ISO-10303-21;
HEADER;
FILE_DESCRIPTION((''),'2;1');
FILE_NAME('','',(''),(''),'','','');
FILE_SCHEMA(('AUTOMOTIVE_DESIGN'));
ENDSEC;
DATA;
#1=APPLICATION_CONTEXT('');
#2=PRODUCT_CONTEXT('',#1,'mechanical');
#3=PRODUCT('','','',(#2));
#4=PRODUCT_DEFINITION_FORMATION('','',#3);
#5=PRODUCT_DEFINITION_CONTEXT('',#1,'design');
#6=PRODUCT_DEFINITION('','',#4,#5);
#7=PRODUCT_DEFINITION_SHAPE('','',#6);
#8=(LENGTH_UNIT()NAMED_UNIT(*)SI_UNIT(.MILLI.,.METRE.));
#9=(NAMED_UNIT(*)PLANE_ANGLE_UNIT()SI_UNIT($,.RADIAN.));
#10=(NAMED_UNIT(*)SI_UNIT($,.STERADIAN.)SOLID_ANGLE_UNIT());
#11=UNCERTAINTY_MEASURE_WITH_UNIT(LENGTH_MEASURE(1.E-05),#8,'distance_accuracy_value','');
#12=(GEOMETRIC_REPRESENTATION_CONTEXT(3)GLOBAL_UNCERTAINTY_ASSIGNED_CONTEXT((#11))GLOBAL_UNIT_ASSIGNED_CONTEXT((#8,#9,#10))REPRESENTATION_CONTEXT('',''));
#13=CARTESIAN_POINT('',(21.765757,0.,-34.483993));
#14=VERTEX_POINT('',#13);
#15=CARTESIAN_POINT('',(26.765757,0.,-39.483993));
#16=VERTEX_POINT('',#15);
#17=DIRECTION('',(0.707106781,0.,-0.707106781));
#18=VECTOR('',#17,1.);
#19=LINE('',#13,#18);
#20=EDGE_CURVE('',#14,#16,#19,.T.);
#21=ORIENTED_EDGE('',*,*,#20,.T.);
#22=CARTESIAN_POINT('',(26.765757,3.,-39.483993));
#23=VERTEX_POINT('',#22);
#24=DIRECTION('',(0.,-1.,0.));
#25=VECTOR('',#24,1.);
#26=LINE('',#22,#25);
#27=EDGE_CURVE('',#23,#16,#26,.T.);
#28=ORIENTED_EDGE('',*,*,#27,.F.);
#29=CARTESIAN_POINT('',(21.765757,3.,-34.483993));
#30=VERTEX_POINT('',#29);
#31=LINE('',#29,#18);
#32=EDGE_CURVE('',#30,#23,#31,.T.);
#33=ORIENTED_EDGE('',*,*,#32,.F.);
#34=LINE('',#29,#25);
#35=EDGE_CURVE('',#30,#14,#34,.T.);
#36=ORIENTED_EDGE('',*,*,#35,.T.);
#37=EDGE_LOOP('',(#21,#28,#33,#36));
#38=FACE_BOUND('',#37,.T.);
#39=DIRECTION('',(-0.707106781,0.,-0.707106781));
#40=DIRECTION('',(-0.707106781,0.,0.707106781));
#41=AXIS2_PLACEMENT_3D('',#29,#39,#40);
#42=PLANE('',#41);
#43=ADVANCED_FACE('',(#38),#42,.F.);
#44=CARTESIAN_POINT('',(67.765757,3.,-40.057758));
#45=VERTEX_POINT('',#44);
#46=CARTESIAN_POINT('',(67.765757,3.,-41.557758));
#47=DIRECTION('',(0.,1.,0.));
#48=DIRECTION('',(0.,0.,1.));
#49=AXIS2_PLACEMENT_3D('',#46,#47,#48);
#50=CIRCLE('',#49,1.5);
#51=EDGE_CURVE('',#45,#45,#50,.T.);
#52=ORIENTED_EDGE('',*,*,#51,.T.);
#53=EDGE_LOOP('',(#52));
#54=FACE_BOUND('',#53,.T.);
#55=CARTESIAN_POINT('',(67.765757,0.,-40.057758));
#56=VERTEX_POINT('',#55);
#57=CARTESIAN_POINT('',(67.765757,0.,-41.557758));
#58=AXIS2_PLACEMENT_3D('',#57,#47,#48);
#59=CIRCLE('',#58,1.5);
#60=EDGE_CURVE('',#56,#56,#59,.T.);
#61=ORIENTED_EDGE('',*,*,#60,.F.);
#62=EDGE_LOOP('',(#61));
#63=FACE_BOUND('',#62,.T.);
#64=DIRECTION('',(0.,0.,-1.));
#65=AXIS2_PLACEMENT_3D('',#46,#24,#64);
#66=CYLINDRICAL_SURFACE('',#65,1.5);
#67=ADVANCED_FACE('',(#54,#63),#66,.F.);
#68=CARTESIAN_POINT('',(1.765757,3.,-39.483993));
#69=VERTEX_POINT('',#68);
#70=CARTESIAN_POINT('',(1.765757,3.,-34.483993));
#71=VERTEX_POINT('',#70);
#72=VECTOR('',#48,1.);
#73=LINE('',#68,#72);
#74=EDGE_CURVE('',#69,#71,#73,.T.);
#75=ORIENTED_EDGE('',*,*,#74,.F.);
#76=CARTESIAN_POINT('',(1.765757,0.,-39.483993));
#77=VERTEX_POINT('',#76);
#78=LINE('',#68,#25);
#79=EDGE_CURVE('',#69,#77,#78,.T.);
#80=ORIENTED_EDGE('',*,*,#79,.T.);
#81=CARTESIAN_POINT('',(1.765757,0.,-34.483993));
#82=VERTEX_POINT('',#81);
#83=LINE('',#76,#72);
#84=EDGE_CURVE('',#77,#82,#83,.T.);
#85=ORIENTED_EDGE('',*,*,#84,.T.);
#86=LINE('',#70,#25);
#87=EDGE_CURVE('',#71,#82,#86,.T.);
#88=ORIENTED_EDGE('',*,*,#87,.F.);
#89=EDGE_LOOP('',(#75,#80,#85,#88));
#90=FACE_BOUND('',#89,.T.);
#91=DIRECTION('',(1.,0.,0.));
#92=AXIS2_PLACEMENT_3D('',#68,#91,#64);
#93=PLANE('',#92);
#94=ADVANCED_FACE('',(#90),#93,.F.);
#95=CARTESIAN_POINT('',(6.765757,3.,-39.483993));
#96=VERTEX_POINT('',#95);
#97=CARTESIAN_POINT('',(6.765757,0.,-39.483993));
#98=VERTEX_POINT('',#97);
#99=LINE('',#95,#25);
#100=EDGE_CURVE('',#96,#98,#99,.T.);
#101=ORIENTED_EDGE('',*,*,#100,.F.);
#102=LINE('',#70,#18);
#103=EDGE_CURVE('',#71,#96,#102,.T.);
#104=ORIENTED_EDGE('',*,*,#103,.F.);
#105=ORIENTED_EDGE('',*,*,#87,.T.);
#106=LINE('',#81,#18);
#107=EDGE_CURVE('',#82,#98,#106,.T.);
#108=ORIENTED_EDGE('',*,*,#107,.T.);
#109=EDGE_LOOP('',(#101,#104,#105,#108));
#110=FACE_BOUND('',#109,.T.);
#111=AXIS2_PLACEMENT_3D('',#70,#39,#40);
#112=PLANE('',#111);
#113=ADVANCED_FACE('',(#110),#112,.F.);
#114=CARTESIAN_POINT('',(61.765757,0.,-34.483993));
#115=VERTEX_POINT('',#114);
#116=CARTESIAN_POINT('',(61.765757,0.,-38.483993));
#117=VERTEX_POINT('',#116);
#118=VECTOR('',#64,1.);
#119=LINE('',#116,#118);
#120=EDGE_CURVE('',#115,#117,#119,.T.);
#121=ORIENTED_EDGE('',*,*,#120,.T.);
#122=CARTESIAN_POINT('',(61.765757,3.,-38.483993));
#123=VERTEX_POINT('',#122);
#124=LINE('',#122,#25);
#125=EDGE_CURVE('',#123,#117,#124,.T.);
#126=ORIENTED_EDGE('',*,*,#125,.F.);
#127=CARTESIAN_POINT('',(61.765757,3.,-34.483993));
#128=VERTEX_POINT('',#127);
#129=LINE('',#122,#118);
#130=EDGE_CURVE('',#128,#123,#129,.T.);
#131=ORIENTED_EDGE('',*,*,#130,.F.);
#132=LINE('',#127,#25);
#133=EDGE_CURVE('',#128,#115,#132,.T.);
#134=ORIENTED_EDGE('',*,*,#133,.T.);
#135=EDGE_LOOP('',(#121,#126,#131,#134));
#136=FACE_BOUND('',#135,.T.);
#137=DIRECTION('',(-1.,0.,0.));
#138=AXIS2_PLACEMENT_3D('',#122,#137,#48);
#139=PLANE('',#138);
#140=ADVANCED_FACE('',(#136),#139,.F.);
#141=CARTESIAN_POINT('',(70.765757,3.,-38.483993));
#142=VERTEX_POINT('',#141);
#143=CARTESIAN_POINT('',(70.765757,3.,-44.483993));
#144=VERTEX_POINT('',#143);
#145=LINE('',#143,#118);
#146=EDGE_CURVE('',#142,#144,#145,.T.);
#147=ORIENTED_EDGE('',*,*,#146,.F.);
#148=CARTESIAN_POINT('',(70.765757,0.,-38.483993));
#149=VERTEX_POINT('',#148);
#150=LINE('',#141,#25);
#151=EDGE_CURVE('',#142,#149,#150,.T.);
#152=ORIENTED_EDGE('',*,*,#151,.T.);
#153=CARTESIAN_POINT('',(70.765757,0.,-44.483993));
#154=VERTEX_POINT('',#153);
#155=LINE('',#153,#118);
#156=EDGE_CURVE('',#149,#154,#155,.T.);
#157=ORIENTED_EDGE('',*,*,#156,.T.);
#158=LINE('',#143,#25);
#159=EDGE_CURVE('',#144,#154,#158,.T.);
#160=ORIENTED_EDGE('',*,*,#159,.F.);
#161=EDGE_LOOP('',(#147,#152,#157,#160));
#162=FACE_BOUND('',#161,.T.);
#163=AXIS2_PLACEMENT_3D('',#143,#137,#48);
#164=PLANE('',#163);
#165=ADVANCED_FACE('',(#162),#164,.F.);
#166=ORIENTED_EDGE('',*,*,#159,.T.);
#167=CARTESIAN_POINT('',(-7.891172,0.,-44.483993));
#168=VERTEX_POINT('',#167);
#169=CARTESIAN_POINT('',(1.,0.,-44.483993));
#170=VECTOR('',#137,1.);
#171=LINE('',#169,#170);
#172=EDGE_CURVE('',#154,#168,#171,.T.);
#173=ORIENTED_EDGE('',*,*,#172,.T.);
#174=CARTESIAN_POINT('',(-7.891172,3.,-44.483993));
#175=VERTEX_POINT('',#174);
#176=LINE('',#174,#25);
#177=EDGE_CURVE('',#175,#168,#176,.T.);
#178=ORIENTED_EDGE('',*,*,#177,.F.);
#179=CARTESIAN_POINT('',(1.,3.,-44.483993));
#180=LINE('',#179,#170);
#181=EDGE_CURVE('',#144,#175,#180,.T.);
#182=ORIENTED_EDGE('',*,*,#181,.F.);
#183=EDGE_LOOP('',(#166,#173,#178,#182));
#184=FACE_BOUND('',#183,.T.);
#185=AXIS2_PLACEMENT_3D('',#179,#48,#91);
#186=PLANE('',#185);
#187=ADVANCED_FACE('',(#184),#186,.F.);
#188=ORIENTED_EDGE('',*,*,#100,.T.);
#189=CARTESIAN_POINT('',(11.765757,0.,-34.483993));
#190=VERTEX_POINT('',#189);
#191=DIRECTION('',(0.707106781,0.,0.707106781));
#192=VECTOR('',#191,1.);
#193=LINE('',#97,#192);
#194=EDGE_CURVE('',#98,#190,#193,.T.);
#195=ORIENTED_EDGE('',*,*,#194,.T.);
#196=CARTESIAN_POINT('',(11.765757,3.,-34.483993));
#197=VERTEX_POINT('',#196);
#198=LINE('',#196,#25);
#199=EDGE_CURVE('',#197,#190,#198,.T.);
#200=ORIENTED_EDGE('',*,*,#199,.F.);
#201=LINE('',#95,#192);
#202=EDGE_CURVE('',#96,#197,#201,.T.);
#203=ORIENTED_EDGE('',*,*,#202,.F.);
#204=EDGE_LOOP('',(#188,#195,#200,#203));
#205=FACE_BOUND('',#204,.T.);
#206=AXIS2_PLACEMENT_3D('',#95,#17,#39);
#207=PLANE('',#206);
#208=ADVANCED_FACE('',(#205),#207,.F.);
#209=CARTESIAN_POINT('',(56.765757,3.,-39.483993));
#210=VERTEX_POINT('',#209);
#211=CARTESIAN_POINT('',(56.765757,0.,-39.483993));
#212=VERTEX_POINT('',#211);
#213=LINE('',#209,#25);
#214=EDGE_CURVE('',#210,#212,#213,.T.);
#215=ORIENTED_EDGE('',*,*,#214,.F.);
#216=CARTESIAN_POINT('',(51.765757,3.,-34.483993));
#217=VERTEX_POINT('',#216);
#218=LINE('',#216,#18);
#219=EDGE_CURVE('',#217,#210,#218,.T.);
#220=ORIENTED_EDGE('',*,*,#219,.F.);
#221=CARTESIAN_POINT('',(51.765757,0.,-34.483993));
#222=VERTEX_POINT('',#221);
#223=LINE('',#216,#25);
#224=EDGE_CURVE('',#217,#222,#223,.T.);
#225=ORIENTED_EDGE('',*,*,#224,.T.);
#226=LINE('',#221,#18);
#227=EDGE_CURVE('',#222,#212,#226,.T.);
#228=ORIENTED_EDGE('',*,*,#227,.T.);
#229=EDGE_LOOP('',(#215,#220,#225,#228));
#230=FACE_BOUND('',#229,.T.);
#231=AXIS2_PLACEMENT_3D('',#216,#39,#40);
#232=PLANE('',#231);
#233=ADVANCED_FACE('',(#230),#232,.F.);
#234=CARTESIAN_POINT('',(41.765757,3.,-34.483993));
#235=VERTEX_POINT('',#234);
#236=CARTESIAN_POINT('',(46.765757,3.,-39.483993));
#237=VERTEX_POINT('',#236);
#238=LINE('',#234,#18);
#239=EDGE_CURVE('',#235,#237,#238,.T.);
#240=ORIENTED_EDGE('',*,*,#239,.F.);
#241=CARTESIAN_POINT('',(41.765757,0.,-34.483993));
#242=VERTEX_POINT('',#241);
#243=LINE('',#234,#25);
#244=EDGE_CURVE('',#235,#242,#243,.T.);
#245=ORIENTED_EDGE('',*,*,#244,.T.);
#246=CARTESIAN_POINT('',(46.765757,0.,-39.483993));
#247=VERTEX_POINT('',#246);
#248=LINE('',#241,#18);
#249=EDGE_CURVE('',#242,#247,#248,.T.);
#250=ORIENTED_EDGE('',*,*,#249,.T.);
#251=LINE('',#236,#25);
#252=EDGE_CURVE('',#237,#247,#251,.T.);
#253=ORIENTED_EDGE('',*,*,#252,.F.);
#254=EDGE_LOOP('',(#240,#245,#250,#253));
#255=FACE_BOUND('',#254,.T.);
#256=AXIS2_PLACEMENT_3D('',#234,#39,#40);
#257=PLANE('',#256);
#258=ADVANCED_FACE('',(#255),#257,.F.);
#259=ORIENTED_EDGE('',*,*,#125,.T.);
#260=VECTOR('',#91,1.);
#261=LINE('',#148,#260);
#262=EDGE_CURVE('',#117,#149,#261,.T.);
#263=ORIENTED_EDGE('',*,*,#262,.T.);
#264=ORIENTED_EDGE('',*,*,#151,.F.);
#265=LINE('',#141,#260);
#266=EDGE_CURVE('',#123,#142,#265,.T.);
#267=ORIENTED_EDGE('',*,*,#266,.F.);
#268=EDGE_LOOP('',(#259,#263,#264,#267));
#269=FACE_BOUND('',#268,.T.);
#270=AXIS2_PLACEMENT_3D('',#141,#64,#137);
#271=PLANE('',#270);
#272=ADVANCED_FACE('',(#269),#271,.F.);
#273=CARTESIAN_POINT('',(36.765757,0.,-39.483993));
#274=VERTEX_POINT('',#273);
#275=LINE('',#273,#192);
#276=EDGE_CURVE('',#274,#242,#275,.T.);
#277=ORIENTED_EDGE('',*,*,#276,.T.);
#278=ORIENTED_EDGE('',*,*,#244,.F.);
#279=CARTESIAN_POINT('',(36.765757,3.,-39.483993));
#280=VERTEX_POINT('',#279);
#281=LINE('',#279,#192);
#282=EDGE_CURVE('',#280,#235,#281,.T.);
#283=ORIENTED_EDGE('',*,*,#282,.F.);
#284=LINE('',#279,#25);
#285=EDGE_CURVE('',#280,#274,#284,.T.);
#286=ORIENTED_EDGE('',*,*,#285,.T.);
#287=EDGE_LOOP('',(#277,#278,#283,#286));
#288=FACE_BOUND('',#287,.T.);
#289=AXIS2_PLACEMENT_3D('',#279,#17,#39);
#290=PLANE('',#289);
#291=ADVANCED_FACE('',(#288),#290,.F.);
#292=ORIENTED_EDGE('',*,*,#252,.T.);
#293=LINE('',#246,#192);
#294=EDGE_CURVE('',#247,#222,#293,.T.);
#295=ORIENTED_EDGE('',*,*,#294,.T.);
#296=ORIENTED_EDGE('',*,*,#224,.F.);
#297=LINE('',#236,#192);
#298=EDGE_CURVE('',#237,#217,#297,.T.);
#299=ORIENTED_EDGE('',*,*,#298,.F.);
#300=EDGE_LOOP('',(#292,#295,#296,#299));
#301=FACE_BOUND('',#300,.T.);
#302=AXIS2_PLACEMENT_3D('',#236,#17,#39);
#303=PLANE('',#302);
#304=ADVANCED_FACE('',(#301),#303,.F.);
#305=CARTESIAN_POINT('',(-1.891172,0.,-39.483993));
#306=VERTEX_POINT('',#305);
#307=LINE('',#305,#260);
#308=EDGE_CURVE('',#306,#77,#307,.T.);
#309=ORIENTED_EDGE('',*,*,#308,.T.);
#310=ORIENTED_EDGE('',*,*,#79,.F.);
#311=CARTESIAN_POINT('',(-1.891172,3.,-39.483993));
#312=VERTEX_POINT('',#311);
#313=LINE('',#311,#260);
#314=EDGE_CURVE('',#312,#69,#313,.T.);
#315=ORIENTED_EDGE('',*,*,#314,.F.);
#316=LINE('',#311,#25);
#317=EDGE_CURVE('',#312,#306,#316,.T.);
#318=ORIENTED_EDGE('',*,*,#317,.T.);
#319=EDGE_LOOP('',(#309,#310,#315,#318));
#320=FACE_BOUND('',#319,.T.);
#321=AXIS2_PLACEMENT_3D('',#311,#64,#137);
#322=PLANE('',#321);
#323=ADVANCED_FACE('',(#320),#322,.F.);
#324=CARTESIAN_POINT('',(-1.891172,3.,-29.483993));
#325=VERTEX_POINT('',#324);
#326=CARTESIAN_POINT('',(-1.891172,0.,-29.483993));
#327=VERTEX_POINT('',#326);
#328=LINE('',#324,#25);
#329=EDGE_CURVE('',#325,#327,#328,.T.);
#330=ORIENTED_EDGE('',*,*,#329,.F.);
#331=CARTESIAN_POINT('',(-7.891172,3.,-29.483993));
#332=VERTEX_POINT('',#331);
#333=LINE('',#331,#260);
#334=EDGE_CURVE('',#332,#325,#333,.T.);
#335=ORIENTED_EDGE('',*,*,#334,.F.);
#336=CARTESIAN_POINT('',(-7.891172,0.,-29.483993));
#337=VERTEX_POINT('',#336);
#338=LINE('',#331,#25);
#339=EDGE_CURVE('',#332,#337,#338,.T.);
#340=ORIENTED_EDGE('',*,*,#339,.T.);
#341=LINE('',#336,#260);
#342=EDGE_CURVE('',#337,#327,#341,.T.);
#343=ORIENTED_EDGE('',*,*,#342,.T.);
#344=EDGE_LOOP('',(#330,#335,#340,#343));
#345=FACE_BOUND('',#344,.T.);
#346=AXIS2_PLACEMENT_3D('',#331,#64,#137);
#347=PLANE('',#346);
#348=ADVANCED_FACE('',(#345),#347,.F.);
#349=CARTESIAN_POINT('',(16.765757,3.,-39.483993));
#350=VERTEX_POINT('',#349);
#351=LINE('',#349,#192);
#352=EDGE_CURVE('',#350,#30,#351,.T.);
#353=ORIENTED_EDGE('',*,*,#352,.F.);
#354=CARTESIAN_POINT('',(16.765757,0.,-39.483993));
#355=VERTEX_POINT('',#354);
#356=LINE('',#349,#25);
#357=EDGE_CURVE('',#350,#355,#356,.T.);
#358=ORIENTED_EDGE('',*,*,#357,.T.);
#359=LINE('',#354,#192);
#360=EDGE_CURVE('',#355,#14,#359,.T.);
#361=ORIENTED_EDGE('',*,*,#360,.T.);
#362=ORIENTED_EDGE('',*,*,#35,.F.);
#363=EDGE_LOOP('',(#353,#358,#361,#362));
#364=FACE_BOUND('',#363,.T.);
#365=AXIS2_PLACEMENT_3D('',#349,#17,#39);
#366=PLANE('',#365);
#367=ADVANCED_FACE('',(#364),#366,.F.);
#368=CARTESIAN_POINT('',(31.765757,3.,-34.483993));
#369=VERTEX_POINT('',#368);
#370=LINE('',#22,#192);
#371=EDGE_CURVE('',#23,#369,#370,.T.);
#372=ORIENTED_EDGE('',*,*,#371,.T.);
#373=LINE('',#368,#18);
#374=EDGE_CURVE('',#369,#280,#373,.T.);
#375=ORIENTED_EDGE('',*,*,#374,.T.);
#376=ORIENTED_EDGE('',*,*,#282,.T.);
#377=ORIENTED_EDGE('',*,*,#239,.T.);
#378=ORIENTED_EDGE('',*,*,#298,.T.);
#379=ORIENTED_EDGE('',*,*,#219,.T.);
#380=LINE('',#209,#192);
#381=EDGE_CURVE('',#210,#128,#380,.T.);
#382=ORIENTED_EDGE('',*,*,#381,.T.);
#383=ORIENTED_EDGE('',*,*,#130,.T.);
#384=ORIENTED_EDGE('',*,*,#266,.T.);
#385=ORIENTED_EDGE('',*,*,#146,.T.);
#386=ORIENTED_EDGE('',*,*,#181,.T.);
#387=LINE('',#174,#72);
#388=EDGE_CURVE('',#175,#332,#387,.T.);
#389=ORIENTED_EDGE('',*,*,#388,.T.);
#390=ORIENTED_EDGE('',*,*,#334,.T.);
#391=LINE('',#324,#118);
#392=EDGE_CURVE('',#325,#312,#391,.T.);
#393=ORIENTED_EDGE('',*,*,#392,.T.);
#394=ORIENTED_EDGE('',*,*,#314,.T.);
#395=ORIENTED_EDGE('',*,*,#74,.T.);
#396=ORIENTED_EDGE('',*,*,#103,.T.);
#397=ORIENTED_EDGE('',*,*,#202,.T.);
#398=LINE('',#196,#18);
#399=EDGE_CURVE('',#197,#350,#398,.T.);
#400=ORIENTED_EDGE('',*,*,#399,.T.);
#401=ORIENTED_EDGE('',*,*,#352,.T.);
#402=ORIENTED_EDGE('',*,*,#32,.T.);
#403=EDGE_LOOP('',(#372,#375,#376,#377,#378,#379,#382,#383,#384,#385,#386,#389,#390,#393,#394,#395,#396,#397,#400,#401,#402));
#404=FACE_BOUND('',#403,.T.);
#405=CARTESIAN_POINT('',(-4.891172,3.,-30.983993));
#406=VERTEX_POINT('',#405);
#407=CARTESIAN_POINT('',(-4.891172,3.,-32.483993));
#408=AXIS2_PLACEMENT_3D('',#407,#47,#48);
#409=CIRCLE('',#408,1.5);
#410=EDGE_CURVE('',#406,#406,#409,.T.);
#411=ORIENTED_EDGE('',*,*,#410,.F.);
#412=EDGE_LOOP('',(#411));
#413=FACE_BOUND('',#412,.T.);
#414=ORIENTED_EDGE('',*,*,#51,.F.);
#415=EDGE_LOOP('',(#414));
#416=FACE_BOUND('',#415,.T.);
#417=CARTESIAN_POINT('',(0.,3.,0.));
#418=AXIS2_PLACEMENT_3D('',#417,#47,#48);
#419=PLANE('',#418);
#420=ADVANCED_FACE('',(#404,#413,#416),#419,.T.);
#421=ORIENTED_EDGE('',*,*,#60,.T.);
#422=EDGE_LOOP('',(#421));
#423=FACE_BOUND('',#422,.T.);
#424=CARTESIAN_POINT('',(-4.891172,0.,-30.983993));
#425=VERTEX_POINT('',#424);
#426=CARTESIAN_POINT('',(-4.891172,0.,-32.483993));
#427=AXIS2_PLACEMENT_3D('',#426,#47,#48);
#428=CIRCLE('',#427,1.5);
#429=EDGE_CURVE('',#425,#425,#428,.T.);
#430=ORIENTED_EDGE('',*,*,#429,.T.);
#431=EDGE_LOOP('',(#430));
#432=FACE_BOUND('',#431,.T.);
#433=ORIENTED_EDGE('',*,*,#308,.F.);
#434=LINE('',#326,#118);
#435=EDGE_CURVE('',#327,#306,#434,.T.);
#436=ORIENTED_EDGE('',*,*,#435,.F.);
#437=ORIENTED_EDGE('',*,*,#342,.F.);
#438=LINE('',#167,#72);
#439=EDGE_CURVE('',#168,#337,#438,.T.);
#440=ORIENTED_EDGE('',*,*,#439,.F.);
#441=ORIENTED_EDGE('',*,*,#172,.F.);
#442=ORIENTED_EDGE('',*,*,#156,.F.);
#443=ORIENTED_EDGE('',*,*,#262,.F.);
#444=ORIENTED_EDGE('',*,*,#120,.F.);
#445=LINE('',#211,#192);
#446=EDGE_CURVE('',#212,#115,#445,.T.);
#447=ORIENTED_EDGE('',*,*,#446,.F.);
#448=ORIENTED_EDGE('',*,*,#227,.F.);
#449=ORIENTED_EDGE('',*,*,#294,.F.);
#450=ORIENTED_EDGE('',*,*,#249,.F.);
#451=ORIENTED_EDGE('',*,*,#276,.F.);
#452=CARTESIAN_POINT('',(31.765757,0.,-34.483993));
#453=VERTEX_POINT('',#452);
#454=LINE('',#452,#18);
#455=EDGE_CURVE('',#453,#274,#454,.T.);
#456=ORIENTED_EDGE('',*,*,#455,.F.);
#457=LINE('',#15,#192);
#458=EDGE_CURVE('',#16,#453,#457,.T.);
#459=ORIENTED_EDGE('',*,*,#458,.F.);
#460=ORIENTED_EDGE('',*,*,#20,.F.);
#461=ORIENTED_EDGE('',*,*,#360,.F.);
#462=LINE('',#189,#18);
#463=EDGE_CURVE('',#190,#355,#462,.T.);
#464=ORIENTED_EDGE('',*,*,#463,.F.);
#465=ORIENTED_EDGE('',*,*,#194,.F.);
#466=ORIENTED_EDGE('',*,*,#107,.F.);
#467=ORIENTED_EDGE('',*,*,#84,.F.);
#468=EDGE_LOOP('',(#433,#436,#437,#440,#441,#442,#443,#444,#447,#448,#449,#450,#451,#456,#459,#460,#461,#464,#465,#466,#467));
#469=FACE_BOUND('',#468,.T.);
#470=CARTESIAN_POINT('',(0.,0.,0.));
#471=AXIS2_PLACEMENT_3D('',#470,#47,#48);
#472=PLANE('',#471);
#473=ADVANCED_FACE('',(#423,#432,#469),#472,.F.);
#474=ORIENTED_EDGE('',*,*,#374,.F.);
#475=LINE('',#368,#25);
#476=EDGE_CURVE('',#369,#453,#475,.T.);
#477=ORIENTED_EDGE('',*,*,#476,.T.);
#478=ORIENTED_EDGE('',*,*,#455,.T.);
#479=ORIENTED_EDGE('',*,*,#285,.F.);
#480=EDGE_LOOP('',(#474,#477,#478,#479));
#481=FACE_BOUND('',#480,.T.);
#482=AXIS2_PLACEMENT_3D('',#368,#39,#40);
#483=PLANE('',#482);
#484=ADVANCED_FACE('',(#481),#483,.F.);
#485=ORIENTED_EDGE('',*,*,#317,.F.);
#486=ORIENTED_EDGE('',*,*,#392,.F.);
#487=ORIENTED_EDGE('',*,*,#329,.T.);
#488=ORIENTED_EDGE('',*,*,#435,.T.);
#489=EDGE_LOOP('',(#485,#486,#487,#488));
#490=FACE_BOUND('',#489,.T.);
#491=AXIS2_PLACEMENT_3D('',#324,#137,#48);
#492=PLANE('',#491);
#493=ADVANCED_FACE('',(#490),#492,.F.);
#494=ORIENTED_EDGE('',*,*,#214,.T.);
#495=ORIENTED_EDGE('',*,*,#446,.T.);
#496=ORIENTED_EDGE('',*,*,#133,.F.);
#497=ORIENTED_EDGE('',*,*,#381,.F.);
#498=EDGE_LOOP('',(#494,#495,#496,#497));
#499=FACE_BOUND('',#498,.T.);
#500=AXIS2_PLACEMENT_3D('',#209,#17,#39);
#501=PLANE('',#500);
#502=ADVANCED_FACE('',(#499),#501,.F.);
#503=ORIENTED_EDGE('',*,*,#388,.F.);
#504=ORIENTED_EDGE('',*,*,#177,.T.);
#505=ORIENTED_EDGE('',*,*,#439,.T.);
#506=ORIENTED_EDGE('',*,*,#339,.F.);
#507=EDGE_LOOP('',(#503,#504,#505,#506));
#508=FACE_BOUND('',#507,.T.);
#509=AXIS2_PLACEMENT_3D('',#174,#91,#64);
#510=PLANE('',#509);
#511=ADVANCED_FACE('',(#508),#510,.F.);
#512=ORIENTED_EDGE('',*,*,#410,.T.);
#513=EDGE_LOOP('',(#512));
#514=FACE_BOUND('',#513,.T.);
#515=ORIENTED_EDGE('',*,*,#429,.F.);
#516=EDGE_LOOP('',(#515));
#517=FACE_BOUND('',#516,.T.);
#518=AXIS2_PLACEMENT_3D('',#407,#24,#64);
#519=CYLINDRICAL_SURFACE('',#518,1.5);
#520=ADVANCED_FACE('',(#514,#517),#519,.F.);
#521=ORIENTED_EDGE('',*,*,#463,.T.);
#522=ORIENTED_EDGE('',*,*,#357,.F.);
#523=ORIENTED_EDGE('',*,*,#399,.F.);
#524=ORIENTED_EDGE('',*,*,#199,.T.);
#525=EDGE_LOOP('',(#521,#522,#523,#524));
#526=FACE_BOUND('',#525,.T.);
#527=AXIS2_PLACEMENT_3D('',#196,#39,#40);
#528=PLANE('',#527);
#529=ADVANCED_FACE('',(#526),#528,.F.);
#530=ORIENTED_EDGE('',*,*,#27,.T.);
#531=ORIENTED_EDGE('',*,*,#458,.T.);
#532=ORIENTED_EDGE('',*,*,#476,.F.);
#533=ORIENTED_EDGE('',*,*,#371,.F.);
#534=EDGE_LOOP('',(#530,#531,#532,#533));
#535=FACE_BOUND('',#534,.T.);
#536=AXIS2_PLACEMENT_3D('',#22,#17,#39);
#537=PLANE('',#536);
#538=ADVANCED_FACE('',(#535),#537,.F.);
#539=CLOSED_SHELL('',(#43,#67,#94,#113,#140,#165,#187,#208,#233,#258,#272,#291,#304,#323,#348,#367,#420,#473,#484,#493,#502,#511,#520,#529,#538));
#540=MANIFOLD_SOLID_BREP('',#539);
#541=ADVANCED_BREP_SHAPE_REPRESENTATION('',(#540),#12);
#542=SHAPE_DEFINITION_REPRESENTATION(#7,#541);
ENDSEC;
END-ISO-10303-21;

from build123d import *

# Parameters (mm, degrees)
SKETCH1_R           = 1.5
BOSS_EXTRUDE1_DEPTH = 3


with BuildPart() as part:
    # Sketch1 → Boss-Extrude1 (new body)
    with BuildSketch(Plane(origin=(0, 0, 0), x_dir=(1, 0, 0), z_dir=(0, 1, 0))):
        Polygon((1.765756862, 34.483992996), (6.765756862, 39.483992996), (11.765756862, 34.483992996), (16.765756862, 39.483992996), (21.765756862, 34.483992996), (26.765756862, 39.483992996), (31.765756862, 34.483992996), (36.765756862, 39.483992996), (41.765756862, 34.483992996), (46.765756862, 39.483992996), (51.765756862, 34.483992996), (56.765756862, 39.483992996), (61.765756862, 34.483992996), (61.765756862, 38.483992996), (70.765756862, 38.483992996), (70.765756862, 44.483992996), (1, 44.483992996), (-5.848815236, 44.483992996), (-7.891171506, 44.483992996), (-7.891171506, 29.483992996), (-1.891171506, 29.483992996), (-1.891171506, 39.483992996), (1.765756862, 39.483992996), align=None)
        with Locations((-4.891171506, 32.483992996)):
            Circle(SKETCH1_R, mode=Mode.SUBTRACT)
        with Locations((67.765756862, 41.557757711)):
            Circle(SKETCH1_R, mode=Mode.SUBTRACT)
    extrude(amount=BOSS_EXTRUDE1_DEPTH)


solid = part.part
